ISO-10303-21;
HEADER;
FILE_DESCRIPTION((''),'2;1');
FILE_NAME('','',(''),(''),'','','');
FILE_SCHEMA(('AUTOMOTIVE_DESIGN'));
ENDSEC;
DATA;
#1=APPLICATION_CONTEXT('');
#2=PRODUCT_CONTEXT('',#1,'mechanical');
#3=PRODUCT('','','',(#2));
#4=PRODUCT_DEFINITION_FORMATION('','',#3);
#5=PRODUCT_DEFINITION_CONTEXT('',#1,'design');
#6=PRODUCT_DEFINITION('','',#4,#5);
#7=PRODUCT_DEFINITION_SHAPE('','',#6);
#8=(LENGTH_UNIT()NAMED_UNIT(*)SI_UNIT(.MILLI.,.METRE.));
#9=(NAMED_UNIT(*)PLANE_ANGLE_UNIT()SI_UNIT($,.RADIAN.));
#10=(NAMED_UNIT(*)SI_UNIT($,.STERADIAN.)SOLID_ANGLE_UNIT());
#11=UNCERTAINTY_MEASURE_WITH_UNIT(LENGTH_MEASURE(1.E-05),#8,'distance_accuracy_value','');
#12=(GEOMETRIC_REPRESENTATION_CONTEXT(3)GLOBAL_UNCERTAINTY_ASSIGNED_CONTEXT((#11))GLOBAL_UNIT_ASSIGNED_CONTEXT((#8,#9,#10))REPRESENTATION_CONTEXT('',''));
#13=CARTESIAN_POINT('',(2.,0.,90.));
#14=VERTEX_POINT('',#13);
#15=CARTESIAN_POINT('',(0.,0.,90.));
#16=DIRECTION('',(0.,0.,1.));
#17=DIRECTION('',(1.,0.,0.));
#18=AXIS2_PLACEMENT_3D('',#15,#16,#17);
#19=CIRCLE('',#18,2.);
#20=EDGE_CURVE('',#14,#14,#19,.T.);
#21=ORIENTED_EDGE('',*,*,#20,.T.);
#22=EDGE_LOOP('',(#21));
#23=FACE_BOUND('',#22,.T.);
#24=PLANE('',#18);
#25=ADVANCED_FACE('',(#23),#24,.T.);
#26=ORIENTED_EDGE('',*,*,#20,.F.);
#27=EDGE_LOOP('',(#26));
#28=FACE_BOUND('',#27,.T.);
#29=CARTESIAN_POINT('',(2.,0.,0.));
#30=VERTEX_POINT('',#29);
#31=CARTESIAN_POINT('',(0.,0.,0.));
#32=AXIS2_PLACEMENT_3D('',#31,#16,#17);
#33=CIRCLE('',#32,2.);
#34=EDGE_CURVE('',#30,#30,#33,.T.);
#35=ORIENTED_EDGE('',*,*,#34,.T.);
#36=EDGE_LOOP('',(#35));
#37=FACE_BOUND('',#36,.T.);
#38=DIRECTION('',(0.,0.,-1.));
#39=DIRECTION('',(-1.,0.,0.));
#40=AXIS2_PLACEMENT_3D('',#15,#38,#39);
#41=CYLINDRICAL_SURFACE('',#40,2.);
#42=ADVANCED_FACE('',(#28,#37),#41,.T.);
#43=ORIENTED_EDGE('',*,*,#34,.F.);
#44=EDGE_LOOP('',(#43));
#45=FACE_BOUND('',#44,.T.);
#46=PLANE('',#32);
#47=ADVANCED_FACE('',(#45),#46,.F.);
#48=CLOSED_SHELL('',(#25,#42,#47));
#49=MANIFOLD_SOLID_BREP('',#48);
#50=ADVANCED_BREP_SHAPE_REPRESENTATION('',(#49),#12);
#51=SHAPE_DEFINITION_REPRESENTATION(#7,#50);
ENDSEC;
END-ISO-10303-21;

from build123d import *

# Parameters (mm, degrees)
SKETCH_1_R      = 2
EXTRUDE_1_DEPTH = 90


with BuildPart() as part:
    # 草图1 → 凸台-拉伸1 (new body)
    with BuildSketch(Plane.XY):
        Circle(SKETCH_1_R)
    extrude(amount=EXTRUDE_1_DEPTH)


solid = part.part
